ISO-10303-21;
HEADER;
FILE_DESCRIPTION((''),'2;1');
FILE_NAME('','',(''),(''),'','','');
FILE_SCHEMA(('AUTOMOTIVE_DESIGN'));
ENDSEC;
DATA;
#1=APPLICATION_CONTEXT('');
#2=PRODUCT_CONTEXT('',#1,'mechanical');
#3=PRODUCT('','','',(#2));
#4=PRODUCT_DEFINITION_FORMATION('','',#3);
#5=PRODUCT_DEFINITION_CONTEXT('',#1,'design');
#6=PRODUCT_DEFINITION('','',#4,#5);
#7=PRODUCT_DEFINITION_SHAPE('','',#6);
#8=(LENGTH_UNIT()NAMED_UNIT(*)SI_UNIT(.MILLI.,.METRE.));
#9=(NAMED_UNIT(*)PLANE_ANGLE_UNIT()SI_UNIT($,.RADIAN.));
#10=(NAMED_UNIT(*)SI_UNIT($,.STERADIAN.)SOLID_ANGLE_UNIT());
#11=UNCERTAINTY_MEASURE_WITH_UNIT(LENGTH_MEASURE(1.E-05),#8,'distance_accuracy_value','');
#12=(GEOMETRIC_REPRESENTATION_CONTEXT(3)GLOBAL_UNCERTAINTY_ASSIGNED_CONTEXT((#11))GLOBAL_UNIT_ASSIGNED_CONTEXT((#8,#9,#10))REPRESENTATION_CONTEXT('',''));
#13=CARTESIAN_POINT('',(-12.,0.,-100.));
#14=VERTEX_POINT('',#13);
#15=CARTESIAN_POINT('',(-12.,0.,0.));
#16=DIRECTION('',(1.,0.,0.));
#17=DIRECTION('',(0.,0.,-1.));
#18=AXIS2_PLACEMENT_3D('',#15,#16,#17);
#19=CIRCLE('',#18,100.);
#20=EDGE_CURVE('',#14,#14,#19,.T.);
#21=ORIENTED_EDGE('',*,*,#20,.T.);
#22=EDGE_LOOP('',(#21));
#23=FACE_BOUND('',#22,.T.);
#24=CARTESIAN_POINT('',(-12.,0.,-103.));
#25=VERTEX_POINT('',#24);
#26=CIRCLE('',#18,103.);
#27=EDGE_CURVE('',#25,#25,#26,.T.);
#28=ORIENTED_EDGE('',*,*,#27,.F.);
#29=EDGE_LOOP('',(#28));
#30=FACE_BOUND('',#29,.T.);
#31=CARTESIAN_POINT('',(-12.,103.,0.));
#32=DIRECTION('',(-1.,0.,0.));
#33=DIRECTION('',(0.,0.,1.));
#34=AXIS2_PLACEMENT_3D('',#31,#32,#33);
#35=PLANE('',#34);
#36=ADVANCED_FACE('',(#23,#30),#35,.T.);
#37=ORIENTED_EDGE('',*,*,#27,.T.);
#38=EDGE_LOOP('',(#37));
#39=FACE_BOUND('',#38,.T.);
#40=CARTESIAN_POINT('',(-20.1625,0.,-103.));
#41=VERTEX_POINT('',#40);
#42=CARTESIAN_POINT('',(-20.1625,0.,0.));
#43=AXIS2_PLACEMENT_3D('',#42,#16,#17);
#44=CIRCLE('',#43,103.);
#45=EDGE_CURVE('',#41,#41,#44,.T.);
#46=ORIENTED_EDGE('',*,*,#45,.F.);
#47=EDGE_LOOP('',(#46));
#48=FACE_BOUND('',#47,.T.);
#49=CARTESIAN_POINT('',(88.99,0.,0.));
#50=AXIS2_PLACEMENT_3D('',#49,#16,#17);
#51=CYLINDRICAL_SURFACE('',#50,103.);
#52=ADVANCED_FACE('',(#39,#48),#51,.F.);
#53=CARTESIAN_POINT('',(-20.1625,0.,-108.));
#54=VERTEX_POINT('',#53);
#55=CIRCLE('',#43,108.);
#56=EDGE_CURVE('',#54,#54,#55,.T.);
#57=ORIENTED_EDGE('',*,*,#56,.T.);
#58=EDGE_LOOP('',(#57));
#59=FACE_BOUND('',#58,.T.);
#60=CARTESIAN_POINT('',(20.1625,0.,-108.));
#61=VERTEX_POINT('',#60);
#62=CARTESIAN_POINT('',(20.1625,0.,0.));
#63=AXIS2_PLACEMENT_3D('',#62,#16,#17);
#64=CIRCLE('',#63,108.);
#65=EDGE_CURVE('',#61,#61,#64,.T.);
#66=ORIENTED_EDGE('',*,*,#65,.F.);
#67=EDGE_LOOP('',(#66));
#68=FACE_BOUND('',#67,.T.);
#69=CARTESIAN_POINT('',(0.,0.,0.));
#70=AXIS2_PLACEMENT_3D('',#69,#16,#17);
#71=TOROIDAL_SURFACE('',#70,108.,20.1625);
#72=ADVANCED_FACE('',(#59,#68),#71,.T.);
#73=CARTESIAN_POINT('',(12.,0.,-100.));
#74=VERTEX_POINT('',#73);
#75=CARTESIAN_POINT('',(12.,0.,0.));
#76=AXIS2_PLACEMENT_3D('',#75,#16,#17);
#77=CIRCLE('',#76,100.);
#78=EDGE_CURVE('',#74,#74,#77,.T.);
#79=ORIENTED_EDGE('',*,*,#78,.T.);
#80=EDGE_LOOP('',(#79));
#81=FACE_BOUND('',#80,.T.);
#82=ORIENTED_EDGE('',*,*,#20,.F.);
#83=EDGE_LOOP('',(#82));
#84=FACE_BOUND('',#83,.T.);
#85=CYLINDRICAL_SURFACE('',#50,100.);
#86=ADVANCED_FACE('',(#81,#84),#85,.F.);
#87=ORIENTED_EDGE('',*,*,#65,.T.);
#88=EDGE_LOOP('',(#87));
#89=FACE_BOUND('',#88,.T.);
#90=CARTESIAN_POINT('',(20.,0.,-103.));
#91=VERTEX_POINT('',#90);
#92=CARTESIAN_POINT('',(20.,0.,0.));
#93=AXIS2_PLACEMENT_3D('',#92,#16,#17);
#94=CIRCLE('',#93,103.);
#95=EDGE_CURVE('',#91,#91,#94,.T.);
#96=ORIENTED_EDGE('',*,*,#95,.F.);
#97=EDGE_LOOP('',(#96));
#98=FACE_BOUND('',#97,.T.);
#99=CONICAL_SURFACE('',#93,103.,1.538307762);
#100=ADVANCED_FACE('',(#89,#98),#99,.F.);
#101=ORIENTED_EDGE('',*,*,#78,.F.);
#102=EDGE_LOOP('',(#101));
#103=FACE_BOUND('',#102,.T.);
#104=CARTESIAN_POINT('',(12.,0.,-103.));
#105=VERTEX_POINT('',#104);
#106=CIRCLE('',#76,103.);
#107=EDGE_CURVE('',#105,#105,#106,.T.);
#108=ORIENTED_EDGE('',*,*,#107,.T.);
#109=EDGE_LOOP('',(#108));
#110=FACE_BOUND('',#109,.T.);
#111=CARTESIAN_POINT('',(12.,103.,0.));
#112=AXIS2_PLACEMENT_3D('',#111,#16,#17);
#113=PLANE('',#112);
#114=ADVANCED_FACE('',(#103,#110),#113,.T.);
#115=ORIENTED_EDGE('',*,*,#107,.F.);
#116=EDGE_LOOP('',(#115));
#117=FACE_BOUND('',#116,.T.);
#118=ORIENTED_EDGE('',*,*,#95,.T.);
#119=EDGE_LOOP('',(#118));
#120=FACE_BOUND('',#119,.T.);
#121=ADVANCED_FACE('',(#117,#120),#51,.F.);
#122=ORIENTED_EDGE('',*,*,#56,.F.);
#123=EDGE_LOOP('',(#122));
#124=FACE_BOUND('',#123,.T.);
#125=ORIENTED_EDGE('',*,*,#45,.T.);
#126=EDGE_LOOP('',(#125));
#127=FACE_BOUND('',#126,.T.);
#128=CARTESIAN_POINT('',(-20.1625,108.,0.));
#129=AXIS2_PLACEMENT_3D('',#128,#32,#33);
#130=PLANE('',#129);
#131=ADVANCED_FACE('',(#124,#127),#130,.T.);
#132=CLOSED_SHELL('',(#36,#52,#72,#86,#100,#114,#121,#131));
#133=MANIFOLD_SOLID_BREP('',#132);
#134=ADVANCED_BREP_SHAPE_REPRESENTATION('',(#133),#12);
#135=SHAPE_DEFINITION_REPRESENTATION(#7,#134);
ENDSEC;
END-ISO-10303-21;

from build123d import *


with BuildPart() as part:
    # Sketch1 → Revolve1 (revolve)
    with BuildSketch(Plane.XY, mode=Mode.PRIVATE) as revolve1_sk:
        with BuildLine():
            Line((20.1625, 108), (20, 103))
            Line((20, 103), (12, 103))
            Line((12, 103), (12, 100))
            Line((12, 100), (-12, 100))
            Line((-12, 100), (-12, 103))
            Line((-12, 103), (-20.1625, 103))
            Line((-20.1625, 103), (-20.1625, 108))
            ThreePointArc((-20.1625, 108), (0, 128.1625), (20.1625, 108))
        make_face()
    revolve(revolve1_sk.sketch.rotate(Axis((88.99, 0, 0), (-1, 0, 0)), 90), axis=Axis((88.99, 0, 0), (-1, 0, 0)))


solid = part.part
